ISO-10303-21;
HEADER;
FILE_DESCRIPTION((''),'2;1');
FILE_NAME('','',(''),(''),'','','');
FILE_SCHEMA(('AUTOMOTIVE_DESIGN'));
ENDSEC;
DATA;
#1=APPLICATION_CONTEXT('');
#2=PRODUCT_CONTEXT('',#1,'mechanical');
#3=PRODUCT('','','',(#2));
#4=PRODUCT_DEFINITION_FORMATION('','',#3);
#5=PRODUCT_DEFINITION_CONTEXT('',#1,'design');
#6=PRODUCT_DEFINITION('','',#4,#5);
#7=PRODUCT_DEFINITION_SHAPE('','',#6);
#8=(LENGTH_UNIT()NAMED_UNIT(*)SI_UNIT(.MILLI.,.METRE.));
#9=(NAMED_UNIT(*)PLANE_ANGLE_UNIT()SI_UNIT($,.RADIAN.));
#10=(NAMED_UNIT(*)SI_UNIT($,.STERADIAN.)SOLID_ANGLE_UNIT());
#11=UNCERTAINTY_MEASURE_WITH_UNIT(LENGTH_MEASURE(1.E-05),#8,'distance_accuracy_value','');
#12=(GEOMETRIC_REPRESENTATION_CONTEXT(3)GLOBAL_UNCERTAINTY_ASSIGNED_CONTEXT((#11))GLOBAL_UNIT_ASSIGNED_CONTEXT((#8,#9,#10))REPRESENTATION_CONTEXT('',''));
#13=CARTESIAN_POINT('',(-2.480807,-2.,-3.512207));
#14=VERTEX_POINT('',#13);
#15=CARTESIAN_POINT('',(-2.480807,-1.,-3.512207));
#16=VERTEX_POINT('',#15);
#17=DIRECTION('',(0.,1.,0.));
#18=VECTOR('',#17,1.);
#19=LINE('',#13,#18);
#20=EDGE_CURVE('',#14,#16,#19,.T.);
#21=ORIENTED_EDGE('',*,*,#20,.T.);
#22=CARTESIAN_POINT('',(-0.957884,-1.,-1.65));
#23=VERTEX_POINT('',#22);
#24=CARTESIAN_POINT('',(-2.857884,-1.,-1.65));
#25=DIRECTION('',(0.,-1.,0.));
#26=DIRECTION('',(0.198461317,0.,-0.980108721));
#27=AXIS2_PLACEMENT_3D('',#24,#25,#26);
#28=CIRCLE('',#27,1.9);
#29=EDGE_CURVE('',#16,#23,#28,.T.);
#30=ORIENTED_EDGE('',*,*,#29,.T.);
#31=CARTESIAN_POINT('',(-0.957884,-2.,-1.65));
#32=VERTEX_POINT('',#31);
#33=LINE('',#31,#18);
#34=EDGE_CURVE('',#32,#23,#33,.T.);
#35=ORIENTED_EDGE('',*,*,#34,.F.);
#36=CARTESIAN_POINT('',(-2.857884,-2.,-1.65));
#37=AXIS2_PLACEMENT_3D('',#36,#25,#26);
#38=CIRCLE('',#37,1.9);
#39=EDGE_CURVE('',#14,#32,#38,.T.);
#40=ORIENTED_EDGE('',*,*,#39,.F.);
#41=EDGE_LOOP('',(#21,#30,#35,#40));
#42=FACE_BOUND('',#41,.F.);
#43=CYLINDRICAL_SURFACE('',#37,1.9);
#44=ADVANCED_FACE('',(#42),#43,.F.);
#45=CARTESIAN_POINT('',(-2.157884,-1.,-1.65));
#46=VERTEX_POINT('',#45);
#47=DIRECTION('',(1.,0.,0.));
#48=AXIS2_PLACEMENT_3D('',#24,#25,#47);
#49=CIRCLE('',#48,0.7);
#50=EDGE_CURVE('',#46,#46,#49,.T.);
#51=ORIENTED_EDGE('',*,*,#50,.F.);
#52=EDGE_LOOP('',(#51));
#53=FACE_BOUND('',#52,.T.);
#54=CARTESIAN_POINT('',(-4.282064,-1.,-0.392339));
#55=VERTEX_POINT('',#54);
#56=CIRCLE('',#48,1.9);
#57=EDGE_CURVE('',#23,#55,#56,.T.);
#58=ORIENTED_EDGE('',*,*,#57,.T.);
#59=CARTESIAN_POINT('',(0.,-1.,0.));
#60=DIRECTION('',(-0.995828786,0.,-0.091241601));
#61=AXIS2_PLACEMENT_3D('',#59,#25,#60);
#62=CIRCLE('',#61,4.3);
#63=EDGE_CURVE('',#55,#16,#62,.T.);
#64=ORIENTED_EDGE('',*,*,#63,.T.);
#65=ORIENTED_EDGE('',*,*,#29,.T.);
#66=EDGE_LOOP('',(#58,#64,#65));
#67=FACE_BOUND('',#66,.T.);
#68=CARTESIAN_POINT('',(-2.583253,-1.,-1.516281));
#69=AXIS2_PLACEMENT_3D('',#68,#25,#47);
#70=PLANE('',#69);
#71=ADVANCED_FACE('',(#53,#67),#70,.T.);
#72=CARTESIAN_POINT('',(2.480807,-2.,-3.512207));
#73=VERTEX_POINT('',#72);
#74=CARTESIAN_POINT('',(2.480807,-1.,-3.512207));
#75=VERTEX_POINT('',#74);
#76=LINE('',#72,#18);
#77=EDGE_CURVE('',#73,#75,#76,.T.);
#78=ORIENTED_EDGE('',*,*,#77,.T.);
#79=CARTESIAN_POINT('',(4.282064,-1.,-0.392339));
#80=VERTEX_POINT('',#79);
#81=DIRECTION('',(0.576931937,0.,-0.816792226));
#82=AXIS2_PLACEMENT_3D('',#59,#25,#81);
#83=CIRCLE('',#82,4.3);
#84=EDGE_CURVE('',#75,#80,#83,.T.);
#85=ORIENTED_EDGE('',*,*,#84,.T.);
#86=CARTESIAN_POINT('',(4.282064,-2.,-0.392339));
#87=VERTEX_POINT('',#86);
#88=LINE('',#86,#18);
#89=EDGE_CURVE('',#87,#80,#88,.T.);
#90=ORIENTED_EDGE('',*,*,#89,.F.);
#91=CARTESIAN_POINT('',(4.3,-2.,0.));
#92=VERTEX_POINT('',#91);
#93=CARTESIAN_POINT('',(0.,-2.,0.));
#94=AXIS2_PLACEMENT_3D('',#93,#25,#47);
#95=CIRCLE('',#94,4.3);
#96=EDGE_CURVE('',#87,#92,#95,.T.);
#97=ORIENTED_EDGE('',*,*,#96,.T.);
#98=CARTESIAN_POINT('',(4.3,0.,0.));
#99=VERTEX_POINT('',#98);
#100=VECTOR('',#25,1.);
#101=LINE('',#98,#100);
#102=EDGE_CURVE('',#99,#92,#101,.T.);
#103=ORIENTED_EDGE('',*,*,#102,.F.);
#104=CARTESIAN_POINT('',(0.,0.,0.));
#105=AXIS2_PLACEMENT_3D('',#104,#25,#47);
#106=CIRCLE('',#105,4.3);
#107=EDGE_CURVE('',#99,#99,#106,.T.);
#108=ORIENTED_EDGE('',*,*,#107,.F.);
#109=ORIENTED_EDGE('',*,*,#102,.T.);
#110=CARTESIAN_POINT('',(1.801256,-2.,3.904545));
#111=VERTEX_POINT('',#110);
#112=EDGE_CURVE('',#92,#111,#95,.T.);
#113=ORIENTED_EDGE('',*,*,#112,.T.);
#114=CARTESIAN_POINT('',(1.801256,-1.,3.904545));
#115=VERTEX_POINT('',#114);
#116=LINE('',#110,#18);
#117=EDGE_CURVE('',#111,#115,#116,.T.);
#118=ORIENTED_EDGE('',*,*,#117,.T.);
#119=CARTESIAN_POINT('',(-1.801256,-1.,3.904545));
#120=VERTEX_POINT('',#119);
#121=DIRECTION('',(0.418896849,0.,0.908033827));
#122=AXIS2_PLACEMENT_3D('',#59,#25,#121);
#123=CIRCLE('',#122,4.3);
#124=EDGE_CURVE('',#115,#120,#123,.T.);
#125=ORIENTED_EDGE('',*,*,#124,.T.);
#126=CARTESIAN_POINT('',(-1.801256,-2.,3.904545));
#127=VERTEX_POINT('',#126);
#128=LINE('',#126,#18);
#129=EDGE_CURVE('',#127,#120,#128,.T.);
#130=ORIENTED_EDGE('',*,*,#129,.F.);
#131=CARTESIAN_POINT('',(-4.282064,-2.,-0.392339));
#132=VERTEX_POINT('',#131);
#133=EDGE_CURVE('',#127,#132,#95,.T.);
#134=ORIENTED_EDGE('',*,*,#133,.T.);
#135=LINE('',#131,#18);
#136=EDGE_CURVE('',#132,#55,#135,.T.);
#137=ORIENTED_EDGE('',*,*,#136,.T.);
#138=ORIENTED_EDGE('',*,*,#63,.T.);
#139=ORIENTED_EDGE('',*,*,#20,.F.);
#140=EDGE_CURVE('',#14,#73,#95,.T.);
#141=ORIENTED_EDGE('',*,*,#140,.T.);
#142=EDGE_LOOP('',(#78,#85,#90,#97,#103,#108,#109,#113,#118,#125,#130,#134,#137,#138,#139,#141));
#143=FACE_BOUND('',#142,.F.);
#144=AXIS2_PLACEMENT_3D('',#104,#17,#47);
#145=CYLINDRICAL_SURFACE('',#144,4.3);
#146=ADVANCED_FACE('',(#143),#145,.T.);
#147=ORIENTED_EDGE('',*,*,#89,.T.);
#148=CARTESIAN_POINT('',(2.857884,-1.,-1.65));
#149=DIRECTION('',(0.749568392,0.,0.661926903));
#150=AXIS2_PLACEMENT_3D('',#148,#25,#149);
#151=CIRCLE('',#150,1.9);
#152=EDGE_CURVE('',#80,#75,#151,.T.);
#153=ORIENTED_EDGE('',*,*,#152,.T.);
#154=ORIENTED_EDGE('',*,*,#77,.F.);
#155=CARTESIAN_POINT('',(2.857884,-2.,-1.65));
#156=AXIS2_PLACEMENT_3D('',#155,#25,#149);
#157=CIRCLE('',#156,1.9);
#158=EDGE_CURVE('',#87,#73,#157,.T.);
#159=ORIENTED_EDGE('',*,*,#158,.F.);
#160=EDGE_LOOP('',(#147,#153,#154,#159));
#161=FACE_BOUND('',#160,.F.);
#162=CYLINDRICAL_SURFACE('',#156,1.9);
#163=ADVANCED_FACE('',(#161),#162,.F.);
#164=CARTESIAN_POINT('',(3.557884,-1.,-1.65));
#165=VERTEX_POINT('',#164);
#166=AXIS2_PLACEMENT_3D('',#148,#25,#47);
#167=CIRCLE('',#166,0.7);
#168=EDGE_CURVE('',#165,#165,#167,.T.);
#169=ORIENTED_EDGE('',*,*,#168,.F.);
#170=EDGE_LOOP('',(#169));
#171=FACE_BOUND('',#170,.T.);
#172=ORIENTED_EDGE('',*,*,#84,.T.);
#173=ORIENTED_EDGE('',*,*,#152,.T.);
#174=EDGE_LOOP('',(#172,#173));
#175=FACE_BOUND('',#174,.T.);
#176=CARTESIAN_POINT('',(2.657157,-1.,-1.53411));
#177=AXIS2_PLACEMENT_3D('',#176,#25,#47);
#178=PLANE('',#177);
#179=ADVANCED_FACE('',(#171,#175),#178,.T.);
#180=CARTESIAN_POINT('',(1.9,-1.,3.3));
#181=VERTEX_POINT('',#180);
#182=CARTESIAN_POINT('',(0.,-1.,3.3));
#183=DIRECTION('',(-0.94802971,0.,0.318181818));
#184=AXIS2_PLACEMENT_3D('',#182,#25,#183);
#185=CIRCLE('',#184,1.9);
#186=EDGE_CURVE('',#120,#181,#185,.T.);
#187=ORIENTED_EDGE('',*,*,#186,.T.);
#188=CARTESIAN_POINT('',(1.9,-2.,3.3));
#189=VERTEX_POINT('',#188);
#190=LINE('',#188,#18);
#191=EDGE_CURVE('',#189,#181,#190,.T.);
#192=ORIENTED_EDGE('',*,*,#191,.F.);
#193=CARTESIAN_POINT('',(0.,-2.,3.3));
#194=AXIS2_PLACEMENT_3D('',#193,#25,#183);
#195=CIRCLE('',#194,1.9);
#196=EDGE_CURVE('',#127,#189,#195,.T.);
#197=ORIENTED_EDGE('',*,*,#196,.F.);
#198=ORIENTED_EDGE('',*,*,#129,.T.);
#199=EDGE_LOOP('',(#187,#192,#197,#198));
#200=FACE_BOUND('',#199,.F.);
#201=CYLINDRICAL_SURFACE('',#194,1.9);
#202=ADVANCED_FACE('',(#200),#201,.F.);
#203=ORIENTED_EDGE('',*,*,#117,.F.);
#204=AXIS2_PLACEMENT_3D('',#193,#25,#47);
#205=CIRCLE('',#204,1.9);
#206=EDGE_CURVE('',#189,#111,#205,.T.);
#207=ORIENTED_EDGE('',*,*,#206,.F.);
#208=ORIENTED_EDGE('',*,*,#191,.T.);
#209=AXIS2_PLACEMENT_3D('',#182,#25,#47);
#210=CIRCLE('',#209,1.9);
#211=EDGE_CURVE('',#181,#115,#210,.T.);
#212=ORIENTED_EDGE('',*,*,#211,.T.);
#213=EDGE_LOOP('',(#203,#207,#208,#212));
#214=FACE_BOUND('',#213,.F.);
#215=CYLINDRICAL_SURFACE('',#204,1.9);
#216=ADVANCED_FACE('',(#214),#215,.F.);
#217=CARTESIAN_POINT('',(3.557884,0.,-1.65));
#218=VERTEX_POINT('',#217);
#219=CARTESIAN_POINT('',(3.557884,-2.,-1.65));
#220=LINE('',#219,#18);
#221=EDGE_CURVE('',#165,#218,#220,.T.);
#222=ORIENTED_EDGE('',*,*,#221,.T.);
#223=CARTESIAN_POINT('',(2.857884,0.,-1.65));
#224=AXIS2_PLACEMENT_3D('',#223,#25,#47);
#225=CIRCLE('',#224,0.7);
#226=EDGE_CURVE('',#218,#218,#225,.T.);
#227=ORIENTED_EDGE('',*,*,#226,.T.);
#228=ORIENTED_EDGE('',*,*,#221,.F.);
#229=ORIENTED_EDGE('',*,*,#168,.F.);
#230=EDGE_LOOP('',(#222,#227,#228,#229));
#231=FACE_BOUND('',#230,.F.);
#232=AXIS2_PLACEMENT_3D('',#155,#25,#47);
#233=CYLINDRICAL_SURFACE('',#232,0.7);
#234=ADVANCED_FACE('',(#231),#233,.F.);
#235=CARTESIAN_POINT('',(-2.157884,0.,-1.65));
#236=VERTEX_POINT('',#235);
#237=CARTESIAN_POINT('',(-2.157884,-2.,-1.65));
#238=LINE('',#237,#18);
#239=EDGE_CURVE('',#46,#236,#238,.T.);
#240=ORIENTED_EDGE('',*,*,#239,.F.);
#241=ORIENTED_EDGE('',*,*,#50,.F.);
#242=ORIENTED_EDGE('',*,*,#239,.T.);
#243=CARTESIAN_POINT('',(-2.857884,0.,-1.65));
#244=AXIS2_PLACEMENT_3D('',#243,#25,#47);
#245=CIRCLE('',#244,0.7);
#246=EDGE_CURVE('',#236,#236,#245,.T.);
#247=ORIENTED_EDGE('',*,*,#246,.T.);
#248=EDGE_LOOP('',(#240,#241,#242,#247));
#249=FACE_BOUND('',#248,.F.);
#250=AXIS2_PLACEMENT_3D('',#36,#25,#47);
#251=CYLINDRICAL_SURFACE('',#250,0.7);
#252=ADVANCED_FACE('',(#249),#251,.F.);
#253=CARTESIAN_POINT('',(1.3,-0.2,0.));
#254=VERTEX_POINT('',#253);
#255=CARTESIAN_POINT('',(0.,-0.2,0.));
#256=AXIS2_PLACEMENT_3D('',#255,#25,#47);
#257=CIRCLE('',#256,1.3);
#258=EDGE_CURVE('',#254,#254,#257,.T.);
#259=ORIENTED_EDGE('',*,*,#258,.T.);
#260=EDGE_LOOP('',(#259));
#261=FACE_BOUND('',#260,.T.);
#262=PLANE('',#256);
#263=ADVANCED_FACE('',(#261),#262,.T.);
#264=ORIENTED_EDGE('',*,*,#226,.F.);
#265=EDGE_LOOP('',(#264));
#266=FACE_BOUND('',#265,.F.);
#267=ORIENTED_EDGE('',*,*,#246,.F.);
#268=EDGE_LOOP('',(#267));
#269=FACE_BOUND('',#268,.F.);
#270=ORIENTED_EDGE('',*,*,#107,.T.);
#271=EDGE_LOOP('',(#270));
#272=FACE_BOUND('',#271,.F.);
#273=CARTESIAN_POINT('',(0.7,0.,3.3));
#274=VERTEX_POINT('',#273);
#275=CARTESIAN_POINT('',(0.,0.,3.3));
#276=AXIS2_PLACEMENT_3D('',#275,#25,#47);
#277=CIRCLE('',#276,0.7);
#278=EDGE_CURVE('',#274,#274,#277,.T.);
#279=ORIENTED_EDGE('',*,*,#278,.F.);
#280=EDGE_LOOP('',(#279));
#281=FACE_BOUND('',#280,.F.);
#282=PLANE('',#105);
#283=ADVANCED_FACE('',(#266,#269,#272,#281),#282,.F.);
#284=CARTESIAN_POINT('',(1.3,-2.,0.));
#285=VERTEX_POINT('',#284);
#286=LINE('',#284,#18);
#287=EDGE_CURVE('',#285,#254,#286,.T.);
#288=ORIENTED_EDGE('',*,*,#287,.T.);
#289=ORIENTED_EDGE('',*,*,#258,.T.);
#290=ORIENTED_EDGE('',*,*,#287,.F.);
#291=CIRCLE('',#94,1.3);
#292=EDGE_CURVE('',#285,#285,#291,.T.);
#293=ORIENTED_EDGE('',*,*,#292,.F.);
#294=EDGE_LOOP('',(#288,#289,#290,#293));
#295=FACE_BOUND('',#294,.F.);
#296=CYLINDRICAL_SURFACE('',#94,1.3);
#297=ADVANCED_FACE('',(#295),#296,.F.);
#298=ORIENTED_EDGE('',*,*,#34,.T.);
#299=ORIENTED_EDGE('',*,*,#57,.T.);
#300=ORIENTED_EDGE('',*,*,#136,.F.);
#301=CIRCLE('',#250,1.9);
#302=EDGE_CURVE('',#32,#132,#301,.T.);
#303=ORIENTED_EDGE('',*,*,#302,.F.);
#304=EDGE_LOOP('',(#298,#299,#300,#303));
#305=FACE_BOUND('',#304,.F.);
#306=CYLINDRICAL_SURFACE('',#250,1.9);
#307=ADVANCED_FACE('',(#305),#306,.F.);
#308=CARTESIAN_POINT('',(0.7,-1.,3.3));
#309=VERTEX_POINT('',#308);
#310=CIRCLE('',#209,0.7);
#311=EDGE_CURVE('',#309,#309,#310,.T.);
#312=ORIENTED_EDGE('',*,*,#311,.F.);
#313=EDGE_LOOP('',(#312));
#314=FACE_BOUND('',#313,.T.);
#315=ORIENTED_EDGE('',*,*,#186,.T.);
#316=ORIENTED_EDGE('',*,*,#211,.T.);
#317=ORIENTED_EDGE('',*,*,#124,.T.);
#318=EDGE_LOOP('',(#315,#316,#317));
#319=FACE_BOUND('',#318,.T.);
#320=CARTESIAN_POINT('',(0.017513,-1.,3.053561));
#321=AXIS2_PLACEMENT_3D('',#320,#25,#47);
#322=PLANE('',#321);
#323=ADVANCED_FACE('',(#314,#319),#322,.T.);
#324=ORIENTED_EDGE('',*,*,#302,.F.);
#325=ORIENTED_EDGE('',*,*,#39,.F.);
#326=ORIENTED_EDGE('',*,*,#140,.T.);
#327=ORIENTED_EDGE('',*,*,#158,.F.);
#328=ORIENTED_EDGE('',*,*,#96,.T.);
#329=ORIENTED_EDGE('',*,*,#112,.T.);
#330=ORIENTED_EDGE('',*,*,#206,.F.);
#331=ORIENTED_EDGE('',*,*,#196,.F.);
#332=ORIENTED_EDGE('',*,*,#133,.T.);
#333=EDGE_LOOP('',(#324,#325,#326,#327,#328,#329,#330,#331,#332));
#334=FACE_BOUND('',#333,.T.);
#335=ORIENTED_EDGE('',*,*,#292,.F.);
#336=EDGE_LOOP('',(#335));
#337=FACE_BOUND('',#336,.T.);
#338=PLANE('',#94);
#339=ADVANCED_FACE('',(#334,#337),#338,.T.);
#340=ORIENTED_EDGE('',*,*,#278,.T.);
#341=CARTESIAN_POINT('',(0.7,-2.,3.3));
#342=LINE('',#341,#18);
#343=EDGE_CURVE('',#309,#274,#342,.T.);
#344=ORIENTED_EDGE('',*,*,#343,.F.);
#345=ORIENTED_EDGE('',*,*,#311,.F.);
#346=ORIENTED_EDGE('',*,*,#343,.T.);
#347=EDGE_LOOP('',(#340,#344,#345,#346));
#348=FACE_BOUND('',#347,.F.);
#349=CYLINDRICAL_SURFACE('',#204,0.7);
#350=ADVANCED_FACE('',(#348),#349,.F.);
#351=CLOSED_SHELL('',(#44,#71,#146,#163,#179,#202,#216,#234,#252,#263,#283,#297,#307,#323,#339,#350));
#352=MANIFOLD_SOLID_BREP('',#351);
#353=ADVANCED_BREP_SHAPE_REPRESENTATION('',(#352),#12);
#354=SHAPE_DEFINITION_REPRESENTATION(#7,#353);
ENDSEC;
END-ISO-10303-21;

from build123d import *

# Parameters (mm, degrees)
F0_R     = 4.3
F1_DEPTH = 2
F2_R     = 0.7
F3_DEPTH = 1
F4_DEPTH = 2
F5_R     = 1.3
F6_DEPTH = 1.8


with BuildPart() as f1:
    # F0 (on Front) → F1 (new body)
    with BuildSketch(Plane.XZ):
        Circle(F0_R)
    extrude(amount=F1_DEPTH)

    # F2 (on face) → F3 (cut)
    with BuildSketch(Plane.XZ.offset(2)):
        with BuildLine():
            ThreePointArc((-1.8012564485, 3.9045454545), (-0.3062782622, 1.4248483725), (1.9, 3.3))
            ThreePointArc((1.9, 3.3), (1.8751516275, 3.6062782622), (1.8012564485, 3.9045454545))
            ThreePointArc((1.8012564485, 3.9045454545), (0, 4.3), (-1.8012564485, 3.9045454545))
        make_face()
        with Locations((0, 3.3)):
            Circle(F2_R, mode=Mode.SUBTRACT)
        with BuildLine():
            ThreePointArc((-0.9578838325, -1.65), (-2.1855527744, 0.1270680765), (-4.2820637781, -0.3923388841))
            ThreePointArc((-4.2820637781, -0.3923388841), (-3.7239092363, -2.15), (-2.4808073296, -3.5122065704))
            ThreePointArc((-2.4808073296, -3.5122065704), (-1.3870940182, -2.8528205694), (-0.9578838325, -1.65))
        make_face()
        with Locations((-2.8578838325, -1.65)):
            Circle(F2_R, mode=Mode.SUBTRACT)
        with BuildLine():
            ThreePointArc((2.4808073296, -3.5122065704), (3.7239092363, -2.15), (4.2820637781, -0.3923388841))
            ThreePointArc((4.2820637781, -0.3923388841), (1.2124355653, -0.7), (2.4808073296, -3.5122065704))
        make_face()
        with Locations((2.8578838325, -1.65)):
            Circle(F2_R, mode=Mode.SUBTRACT)
    extrude(amount=-F3_DEPTH, mode=Mode.SUBTRACT)

    # F4 (cut): faces of the model
    f4_faces = [f1.faces().sort_by_distance(p)[0] for p in [
        (0, -2, 3.3),
        (-2.8578838325, -2, -1.65),
        (2.8578838325, -2, -1.65),
    ]]
    extrude(f4_faces, amount=-F4_DEPTH, mode=Mode.SUBTRACT)

    # F5 (on face) → F6 (cut)
    with BuildSketch(Plane.XZ.offset(2)):
        Circle(F5_R)
    extrude(amount=-F6_DEPTH, mode=Mode.SUBTRACT)


solid = f1.part
